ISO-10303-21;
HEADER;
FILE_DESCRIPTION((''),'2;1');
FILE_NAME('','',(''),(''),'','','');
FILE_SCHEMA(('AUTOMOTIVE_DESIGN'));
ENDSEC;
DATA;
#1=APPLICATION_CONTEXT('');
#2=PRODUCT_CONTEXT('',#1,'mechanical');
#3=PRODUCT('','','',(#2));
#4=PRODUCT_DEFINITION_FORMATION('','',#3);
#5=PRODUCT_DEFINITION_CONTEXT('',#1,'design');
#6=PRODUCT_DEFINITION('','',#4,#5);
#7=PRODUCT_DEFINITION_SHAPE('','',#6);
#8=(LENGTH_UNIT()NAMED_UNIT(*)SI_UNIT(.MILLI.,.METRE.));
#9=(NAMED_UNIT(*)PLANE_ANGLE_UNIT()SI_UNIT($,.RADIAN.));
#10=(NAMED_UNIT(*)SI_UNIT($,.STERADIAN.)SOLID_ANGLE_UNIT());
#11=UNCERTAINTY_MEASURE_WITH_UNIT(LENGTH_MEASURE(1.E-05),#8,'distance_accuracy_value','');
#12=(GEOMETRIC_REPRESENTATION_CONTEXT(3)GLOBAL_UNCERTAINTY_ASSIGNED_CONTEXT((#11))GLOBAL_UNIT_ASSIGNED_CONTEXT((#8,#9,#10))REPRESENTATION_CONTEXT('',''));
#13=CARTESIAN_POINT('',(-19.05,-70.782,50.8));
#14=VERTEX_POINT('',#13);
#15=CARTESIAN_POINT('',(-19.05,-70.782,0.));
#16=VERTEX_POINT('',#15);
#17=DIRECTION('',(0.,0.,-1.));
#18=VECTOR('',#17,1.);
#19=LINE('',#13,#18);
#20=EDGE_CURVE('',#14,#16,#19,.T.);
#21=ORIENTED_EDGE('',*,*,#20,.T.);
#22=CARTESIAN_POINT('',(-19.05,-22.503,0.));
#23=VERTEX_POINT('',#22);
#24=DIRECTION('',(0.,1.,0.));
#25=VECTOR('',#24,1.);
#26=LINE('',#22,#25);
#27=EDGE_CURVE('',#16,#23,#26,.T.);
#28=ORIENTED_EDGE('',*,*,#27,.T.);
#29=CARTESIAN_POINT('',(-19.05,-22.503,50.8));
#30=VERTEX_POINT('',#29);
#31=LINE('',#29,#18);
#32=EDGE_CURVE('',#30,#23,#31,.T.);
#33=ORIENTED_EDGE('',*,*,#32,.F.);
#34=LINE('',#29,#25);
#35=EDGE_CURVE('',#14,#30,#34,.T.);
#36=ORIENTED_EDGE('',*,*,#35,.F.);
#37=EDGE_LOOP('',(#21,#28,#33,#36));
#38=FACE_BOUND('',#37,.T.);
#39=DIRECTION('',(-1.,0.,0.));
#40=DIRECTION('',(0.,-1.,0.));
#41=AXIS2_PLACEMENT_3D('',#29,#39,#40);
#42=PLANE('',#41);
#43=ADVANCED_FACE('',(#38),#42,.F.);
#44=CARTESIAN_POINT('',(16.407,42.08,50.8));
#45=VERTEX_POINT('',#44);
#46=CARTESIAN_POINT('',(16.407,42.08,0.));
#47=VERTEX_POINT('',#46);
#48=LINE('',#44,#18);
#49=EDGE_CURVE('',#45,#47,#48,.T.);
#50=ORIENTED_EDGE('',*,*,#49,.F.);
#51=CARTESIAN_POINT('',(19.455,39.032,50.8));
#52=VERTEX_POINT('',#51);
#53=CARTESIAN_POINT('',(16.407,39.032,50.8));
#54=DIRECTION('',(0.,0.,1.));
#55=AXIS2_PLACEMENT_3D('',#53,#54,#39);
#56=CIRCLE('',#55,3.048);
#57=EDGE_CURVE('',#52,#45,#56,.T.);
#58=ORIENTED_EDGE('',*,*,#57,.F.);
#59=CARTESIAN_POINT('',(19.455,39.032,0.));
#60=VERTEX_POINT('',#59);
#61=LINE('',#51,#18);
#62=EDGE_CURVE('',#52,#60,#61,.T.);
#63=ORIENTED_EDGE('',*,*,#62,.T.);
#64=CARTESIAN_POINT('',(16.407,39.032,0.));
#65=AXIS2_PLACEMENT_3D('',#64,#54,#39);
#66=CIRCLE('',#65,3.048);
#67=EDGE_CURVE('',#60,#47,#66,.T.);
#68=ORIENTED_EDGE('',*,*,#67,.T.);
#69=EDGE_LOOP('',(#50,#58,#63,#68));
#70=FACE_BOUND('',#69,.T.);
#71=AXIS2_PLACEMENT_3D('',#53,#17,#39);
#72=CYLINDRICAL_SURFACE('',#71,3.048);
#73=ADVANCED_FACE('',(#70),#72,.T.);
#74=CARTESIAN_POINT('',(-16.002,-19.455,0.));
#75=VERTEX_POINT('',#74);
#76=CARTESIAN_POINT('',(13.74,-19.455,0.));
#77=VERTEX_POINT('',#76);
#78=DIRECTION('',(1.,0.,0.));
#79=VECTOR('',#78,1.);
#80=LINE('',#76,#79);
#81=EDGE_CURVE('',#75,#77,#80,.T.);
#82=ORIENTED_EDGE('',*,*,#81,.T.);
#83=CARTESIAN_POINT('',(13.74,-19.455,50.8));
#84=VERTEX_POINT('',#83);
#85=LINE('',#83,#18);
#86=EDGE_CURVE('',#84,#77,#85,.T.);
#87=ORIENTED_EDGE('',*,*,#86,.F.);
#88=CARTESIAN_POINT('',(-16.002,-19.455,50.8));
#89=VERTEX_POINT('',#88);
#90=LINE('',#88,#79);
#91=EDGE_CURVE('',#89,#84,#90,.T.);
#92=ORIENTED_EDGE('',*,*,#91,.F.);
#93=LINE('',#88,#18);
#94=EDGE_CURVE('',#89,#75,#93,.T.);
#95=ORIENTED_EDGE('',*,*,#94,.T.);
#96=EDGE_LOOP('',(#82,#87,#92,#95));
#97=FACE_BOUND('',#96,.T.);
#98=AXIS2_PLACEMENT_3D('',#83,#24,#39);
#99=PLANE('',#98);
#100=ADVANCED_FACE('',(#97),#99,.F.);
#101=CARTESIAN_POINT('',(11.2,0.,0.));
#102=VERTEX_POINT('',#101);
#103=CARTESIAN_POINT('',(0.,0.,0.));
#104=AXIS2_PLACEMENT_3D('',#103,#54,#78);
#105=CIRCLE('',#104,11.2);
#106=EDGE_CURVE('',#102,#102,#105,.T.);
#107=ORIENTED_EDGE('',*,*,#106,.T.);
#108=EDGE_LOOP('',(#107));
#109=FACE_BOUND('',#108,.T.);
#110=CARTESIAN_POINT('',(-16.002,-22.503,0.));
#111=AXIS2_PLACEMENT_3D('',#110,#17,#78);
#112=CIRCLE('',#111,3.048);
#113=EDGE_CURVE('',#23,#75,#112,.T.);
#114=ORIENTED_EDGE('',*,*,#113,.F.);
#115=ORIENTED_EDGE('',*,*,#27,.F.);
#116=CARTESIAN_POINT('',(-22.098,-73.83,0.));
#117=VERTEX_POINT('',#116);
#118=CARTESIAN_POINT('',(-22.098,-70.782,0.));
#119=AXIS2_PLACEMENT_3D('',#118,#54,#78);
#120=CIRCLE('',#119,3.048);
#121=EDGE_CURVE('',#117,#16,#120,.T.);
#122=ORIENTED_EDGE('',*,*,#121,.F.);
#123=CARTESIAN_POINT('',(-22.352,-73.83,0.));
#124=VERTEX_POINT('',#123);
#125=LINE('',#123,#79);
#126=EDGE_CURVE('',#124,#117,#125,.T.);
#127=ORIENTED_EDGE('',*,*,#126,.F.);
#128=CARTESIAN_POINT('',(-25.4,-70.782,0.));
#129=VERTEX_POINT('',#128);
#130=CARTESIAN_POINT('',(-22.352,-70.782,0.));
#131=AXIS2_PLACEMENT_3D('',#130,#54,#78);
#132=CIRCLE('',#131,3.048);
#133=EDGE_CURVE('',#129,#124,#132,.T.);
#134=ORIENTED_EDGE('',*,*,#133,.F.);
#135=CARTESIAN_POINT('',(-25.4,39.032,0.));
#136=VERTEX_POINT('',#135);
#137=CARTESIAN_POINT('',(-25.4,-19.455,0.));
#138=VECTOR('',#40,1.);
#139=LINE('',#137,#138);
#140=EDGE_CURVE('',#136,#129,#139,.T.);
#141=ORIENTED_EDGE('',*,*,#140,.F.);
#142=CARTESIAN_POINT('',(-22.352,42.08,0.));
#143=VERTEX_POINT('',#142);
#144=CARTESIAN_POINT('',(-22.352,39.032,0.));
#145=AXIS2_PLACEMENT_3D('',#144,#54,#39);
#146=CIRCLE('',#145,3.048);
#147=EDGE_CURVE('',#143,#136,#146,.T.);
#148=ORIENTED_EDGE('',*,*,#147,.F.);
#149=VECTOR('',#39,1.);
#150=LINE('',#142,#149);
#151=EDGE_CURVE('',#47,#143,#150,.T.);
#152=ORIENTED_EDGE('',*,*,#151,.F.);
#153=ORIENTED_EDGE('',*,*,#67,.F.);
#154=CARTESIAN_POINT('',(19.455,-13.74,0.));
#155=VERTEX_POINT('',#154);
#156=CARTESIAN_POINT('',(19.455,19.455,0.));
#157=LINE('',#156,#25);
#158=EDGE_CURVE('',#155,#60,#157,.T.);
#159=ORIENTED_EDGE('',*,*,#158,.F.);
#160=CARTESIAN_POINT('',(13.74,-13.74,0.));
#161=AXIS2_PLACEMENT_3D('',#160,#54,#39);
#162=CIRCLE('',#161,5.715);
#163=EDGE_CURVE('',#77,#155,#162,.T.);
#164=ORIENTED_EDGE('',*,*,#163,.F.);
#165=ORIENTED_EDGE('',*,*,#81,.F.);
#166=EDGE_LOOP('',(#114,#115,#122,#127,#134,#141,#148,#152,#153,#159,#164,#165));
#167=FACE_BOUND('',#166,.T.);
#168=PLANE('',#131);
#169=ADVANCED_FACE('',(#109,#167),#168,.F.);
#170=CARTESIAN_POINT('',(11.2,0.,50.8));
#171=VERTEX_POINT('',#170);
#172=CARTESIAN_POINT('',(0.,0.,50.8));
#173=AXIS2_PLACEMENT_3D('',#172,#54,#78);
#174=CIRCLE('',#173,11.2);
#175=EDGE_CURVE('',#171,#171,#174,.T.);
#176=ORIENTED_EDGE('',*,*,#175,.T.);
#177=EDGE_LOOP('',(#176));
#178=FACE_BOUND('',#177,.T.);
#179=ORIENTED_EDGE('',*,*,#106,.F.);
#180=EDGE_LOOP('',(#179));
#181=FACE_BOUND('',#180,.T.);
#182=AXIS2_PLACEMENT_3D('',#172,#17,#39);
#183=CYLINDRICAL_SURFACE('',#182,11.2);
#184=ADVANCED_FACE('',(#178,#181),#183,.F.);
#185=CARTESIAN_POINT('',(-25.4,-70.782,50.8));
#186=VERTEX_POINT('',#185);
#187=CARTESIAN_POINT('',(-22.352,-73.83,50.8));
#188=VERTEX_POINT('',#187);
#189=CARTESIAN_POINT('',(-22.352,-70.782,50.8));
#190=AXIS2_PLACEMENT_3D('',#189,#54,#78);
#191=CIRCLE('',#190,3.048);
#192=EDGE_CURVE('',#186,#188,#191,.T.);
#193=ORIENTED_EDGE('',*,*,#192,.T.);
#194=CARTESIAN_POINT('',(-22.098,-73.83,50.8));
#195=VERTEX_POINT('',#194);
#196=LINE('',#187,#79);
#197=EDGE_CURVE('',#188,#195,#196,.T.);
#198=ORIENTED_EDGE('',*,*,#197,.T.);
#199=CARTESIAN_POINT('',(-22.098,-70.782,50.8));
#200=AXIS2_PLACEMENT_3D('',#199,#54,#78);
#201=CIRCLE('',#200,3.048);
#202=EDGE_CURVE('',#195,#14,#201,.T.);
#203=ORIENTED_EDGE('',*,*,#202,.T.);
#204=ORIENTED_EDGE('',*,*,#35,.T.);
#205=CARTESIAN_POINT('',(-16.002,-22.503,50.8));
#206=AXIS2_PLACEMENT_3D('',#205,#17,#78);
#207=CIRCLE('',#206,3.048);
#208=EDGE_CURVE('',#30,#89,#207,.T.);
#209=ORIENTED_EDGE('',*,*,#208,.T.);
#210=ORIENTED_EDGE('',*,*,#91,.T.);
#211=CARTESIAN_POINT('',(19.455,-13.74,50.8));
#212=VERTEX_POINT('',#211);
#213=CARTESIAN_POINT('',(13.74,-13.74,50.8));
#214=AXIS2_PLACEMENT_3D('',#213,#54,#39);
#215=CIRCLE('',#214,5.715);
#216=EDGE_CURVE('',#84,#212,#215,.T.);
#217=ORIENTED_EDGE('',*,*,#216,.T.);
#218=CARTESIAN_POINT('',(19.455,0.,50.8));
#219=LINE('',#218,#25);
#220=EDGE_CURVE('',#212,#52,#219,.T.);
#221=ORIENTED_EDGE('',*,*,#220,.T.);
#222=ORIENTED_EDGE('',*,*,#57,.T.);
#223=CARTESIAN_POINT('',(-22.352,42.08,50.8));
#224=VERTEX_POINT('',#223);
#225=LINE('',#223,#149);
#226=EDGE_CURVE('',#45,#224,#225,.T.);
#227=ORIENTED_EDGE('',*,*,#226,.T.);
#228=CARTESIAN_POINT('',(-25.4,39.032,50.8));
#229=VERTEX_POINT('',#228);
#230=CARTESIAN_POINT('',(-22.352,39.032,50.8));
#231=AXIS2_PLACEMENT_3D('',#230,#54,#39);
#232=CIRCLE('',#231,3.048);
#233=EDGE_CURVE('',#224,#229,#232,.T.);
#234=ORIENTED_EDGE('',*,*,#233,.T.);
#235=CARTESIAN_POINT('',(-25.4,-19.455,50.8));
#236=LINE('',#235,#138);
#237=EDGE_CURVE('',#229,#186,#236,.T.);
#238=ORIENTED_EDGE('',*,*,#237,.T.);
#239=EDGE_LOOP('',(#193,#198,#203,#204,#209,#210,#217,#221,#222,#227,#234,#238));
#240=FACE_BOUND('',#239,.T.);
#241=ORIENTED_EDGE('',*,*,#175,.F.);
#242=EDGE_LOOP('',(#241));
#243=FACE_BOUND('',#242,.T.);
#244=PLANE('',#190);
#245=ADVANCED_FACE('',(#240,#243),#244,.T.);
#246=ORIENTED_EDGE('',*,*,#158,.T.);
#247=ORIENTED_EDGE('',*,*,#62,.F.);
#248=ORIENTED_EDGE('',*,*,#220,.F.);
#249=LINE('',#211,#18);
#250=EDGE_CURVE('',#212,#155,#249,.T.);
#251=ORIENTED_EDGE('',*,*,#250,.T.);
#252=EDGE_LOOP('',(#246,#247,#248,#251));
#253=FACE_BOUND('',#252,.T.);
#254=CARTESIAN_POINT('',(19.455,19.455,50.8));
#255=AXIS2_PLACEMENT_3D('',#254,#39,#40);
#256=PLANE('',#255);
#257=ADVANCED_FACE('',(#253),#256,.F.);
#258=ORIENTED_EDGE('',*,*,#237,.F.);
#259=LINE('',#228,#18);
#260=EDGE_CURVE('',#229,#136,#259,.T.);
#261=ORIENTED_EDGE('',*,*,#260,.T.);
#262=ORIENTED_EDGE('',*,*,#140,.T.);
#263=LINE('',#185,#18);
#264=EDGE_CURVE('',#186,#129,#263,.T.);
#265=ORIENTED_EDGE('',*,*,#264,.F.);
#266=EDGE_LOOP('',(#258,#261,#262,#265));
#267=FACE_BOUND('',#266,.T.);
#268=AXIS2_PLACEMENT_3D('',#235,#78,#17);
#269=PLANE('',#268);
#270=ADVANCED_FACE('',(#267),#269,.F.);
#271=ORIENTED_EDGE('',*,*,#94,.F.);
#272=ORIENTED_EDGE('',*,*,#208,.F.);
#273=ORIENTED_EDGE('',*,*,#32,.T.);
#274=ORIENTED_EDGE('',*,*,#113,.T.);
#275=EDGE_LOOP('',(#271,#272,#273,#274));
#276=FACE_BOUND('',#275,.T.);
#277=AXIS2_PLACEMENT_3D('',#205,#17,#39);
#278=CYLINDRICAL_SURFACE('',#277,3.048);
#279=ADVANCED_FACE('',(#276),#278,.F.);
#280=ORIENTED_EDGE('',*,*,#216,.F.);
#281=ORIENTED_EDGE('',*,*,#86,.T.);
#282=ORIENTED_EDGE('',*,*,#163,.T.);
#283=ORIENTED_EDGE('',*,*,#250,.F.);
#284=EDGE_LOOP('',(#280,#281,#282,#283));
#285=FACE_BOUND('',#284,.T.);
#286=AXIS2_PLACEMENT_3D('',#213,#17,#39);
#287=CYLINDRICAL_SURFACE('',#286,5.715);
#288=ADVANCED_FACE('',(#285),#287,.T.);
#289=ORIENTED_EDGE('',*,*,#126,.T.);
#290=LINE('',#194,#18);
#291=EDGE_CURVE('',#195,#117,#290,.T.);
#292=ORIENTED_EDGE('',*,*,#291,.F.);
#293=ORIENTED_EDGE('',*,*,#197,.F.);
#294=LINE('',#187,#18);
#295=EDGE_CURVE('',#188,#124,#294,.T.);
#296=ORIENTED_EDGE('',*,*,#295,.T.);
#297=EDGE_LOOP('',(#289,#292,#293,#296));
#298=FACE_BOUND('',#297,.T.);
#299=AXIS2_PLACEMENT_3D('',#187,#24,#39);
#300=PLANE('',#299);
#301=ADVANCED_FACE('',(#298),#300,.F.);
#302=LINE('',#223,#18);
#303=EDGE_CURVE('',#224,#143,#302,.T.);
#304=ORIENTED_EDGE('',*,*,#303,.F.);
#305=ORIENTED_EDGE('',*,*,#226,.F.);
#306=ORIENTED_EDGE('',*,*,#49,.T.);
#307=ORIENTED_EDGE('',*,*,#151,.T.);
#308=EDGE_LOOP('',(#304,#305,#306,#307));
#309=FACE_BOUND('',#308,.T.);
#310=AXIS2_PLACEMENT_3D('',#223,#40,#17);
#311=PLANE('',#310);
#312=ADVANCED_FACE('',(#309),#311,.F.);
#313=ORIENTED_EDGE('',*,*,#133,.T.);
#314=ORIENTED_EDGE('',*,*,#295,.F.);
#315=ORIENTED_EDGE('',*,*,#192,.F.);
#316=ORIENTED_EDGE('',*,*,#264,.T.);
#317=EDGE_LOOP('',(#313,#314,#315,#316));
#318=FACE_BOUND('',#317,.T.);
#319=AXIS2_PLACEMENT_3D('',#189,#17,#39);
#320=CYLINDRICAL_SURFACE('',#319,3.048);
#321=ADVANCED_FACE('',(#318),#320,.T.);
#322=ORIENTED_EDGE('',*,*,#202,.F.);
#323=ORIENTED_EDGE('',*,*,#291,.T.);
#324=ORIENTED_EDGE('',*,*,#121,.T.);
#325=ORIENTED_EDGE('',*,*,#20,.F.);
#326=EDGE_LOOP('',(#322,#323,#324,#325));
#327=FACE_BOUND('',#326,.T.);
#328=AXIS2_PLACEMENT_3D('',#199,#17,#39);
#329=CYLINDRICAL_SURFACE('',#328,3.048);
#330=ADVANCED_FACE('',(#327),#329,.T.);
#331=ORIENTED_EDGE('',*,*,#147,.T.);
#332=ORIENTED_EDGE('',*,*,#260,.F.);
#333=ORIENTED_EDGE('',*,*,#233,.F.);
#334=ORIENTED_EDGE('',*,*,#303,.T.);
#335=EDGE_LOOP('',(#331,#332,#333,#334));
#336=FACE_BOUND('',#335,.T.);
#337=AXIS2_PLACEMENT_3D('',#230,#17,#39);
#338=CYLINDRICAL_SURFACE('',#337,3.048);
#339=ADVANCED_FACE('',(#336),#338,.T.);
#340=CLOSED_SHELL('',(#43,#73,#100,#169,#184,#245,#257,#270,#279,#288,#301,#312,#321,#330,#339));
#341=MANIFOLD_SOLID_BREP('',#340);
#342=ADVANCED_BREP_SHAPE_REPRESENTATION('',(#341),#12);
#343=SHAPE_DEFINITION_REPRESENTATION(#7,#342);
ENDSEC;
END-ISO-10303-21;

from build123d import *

# Parameters (mm, degrees)
SKETCH1_R           = 11.2
BOSS_EXTRUDE1_DEPTH = 50.8


with BuildPart() as part:
    # Sketch1 → Boss-Extrude1 (new body)
    with BuildSketch(Plane.XY):
        with BuildLine():
            Line((-25.4, -19.455), (-25.4, 19.455))
            Line((-25.4, 19.455), (-25.4, 39.031999962))
            ThreePointArc((-25.4, 39.031999962), (-24.507261469, 41.187261431), (-22.352, 42.079999962))
            Line((-22.352, 42.079999962), (16.407, 42.079999962))
            ThreePointArc((16.407, 42.079999962), (18.562261469, 41.187261431), (19.455, 39.031999962))
            Line((19.455, 39.031999962), (19.455, 19.455))
            Line((19.455, 19.455), (19.455, 0))
            Line((19.455, 0), (19.455, -13.74))
            ThreePointArc((19.455, -13.74), (17.781115254, -17.781115254), (13.74, -19.455))
            Line((13.74, -19.455), (0, -19.455))
            Line((0, -19.455), (-16.002, -19.455))
            ThreePointArc((-16.002, -19.455), (-18.157261469, -20.347738531), (-19.05, -22.503))
            Line((-19.05, -22.503), (-19.05, -70.781999962))
            ThreePointArc((-19.05, -70.781999962), (-19.942738531, -72.937261431), (-22.098, -73.829999962))
            Line((-22.098, -73.829999962), (-22.352, -73.829999962))
            ThreePointArc((-22.352, -73.829999962), (-24.507261469, -72.937261431), (-25.4, -70.781999962))
            Line((-25.4, -70.781999962), (-25.4, -19.455))
        make_face()
        Circle(SKETCH1_R, mode=Mode.SUBTRACT)
    extrude(amount=BOSS_EXTRUDE1_DEPTH)


solid = part.part
